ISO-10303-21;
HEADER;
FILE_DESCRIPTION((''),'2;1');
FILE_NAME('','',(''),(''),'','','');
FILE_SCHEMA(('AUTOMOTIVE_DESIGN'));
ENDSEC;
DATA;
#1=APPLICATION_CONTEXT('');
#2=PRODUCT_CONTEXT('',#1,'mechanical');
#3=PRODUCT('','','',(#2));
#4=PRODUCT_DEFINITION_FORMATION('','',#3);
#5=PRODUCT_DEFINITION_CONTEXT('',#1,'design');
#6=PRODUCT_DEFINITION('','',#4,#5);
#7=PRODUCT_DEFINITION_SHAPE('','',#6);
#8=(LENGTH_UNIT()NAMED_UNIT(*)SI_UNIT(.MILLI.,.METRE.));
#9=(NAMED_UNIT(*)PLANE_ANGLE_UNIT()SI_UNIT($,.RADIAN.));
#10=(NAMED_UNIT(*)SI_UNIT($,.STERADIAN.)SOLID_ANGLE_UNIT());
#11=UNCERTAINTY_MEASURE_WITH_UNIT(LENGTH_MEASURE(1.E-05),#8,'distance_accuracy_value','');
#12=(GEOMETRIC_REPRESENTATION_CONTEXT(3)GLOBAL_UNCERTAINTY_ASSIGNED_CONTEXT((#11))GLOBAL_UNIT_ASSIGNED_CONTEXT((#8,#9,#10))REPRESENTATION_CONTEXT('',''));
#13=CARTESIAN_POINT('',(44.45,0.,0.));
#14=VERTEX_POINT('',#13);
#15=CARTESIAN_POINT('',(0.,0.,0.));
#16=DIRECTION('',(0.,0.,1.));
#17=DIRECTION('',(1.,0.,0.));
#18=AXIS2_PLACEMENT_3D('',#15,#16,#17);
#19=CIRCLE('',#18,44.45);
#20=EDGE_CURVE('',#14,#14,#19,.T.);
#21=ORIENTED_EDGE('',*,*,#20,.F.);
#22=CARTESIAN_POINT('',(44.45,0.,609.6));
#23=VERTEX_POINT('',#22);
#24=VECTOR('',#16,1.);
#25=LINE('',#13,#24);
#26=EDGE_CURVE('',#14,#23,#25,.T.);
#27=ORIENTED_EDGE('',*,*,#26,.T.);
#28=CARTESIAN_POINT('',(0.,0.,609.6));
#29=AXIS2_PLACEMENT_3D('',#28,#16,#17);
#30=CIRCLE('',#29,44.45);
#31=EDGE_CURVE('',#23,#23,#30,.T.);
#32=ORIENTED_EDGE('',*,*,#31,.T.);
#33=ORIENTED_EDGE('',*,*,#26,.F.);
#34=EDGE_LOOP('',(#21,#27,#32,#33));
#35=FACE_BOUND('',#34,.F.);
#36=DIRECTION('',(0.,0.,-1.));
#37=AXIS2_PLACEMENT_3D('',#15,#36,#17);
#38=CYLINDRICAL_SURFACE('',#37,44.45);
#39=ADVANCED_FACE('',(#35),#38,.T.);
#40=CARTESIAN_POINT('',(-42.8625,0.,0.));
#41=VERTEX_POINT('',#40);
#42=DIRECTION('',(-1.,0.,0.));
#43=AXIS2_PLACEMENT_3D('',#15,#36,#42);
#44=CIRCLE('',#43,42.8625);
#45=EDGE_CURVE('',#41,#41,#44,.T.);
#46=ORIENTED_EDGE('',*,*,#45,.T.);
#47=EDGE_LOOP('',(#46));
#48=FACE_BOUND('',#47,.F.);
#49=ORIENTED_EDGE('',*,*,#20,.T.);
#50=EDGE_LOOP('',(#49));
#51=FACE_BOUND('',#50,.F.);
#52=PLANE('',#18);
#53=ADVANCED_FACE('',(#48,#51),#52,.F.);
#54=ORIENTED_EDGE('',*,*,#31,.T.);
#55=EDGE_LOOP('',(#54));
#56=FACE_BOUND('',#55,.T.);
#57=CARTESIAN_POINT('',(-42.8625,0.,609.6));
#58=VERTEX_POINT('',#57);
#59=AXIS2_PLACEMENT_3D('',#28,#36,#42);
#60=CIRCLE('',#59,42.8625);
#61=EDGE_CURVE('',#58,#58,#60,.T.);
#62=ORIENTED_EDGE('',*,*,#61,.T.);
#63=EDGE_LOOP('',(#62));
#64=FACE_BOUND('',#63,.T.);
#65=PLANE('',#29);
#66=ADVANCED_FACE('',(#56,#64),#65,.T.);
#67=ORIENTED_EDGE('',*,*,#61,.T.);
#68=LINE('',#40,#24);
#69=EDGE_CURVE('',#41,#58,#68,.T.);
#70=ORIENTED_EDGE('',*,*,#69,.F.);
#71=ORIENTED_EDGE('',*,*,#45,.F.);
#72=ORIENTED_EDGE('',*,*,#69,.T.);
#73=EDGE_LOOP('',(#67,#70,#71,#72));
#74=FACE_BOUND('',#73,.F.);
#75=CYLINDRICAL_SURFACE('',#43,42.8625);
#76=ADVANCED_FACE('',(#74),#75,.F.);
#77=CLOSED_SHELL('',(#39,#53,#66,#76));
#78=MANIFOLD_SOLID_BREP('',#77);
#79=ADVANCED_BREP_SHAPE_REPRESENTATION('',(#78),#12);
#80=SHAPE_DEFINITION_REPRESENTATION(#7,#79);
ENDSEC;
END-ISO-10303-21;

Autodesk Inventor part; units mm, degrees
ref_plane "YZ Plane" through (0, 0, 0) normal (1, 0, 0) x (0, 1, 0)
ref_plane "XZ Plane" through (0, 0, 0) normal (0, 1, 0) x (-1, 0, 0)
ref_plane "XY Plane" through (0, 0, 0) normal (0, 0, 1) x (1, 0, 0)
sketch "Sketch1" plane through (0, 0, 0) normal (0, 0, 1) x (1, 0, 0)
  circle A0 centre (0, 0) radius 44.45
  dimension "d0" = 88.9
extrude "Extrusion1" add sketch "Sketch1" along normal blind 609.6
sketch "Sketch2" plane through (0, 0, 0) normal (0, 0, -1) x (-1, 0, 0)
  circle A0 centre (0, 0) radius 44.45 projected
  circle A1 centre (0, 0) radius 42.8625
  dimension "d3" = 85.725
extrude "Extrusion2" cut sketch "Sketch2" against normal blind 609.6 contours A1
properties part number "Cannon"
